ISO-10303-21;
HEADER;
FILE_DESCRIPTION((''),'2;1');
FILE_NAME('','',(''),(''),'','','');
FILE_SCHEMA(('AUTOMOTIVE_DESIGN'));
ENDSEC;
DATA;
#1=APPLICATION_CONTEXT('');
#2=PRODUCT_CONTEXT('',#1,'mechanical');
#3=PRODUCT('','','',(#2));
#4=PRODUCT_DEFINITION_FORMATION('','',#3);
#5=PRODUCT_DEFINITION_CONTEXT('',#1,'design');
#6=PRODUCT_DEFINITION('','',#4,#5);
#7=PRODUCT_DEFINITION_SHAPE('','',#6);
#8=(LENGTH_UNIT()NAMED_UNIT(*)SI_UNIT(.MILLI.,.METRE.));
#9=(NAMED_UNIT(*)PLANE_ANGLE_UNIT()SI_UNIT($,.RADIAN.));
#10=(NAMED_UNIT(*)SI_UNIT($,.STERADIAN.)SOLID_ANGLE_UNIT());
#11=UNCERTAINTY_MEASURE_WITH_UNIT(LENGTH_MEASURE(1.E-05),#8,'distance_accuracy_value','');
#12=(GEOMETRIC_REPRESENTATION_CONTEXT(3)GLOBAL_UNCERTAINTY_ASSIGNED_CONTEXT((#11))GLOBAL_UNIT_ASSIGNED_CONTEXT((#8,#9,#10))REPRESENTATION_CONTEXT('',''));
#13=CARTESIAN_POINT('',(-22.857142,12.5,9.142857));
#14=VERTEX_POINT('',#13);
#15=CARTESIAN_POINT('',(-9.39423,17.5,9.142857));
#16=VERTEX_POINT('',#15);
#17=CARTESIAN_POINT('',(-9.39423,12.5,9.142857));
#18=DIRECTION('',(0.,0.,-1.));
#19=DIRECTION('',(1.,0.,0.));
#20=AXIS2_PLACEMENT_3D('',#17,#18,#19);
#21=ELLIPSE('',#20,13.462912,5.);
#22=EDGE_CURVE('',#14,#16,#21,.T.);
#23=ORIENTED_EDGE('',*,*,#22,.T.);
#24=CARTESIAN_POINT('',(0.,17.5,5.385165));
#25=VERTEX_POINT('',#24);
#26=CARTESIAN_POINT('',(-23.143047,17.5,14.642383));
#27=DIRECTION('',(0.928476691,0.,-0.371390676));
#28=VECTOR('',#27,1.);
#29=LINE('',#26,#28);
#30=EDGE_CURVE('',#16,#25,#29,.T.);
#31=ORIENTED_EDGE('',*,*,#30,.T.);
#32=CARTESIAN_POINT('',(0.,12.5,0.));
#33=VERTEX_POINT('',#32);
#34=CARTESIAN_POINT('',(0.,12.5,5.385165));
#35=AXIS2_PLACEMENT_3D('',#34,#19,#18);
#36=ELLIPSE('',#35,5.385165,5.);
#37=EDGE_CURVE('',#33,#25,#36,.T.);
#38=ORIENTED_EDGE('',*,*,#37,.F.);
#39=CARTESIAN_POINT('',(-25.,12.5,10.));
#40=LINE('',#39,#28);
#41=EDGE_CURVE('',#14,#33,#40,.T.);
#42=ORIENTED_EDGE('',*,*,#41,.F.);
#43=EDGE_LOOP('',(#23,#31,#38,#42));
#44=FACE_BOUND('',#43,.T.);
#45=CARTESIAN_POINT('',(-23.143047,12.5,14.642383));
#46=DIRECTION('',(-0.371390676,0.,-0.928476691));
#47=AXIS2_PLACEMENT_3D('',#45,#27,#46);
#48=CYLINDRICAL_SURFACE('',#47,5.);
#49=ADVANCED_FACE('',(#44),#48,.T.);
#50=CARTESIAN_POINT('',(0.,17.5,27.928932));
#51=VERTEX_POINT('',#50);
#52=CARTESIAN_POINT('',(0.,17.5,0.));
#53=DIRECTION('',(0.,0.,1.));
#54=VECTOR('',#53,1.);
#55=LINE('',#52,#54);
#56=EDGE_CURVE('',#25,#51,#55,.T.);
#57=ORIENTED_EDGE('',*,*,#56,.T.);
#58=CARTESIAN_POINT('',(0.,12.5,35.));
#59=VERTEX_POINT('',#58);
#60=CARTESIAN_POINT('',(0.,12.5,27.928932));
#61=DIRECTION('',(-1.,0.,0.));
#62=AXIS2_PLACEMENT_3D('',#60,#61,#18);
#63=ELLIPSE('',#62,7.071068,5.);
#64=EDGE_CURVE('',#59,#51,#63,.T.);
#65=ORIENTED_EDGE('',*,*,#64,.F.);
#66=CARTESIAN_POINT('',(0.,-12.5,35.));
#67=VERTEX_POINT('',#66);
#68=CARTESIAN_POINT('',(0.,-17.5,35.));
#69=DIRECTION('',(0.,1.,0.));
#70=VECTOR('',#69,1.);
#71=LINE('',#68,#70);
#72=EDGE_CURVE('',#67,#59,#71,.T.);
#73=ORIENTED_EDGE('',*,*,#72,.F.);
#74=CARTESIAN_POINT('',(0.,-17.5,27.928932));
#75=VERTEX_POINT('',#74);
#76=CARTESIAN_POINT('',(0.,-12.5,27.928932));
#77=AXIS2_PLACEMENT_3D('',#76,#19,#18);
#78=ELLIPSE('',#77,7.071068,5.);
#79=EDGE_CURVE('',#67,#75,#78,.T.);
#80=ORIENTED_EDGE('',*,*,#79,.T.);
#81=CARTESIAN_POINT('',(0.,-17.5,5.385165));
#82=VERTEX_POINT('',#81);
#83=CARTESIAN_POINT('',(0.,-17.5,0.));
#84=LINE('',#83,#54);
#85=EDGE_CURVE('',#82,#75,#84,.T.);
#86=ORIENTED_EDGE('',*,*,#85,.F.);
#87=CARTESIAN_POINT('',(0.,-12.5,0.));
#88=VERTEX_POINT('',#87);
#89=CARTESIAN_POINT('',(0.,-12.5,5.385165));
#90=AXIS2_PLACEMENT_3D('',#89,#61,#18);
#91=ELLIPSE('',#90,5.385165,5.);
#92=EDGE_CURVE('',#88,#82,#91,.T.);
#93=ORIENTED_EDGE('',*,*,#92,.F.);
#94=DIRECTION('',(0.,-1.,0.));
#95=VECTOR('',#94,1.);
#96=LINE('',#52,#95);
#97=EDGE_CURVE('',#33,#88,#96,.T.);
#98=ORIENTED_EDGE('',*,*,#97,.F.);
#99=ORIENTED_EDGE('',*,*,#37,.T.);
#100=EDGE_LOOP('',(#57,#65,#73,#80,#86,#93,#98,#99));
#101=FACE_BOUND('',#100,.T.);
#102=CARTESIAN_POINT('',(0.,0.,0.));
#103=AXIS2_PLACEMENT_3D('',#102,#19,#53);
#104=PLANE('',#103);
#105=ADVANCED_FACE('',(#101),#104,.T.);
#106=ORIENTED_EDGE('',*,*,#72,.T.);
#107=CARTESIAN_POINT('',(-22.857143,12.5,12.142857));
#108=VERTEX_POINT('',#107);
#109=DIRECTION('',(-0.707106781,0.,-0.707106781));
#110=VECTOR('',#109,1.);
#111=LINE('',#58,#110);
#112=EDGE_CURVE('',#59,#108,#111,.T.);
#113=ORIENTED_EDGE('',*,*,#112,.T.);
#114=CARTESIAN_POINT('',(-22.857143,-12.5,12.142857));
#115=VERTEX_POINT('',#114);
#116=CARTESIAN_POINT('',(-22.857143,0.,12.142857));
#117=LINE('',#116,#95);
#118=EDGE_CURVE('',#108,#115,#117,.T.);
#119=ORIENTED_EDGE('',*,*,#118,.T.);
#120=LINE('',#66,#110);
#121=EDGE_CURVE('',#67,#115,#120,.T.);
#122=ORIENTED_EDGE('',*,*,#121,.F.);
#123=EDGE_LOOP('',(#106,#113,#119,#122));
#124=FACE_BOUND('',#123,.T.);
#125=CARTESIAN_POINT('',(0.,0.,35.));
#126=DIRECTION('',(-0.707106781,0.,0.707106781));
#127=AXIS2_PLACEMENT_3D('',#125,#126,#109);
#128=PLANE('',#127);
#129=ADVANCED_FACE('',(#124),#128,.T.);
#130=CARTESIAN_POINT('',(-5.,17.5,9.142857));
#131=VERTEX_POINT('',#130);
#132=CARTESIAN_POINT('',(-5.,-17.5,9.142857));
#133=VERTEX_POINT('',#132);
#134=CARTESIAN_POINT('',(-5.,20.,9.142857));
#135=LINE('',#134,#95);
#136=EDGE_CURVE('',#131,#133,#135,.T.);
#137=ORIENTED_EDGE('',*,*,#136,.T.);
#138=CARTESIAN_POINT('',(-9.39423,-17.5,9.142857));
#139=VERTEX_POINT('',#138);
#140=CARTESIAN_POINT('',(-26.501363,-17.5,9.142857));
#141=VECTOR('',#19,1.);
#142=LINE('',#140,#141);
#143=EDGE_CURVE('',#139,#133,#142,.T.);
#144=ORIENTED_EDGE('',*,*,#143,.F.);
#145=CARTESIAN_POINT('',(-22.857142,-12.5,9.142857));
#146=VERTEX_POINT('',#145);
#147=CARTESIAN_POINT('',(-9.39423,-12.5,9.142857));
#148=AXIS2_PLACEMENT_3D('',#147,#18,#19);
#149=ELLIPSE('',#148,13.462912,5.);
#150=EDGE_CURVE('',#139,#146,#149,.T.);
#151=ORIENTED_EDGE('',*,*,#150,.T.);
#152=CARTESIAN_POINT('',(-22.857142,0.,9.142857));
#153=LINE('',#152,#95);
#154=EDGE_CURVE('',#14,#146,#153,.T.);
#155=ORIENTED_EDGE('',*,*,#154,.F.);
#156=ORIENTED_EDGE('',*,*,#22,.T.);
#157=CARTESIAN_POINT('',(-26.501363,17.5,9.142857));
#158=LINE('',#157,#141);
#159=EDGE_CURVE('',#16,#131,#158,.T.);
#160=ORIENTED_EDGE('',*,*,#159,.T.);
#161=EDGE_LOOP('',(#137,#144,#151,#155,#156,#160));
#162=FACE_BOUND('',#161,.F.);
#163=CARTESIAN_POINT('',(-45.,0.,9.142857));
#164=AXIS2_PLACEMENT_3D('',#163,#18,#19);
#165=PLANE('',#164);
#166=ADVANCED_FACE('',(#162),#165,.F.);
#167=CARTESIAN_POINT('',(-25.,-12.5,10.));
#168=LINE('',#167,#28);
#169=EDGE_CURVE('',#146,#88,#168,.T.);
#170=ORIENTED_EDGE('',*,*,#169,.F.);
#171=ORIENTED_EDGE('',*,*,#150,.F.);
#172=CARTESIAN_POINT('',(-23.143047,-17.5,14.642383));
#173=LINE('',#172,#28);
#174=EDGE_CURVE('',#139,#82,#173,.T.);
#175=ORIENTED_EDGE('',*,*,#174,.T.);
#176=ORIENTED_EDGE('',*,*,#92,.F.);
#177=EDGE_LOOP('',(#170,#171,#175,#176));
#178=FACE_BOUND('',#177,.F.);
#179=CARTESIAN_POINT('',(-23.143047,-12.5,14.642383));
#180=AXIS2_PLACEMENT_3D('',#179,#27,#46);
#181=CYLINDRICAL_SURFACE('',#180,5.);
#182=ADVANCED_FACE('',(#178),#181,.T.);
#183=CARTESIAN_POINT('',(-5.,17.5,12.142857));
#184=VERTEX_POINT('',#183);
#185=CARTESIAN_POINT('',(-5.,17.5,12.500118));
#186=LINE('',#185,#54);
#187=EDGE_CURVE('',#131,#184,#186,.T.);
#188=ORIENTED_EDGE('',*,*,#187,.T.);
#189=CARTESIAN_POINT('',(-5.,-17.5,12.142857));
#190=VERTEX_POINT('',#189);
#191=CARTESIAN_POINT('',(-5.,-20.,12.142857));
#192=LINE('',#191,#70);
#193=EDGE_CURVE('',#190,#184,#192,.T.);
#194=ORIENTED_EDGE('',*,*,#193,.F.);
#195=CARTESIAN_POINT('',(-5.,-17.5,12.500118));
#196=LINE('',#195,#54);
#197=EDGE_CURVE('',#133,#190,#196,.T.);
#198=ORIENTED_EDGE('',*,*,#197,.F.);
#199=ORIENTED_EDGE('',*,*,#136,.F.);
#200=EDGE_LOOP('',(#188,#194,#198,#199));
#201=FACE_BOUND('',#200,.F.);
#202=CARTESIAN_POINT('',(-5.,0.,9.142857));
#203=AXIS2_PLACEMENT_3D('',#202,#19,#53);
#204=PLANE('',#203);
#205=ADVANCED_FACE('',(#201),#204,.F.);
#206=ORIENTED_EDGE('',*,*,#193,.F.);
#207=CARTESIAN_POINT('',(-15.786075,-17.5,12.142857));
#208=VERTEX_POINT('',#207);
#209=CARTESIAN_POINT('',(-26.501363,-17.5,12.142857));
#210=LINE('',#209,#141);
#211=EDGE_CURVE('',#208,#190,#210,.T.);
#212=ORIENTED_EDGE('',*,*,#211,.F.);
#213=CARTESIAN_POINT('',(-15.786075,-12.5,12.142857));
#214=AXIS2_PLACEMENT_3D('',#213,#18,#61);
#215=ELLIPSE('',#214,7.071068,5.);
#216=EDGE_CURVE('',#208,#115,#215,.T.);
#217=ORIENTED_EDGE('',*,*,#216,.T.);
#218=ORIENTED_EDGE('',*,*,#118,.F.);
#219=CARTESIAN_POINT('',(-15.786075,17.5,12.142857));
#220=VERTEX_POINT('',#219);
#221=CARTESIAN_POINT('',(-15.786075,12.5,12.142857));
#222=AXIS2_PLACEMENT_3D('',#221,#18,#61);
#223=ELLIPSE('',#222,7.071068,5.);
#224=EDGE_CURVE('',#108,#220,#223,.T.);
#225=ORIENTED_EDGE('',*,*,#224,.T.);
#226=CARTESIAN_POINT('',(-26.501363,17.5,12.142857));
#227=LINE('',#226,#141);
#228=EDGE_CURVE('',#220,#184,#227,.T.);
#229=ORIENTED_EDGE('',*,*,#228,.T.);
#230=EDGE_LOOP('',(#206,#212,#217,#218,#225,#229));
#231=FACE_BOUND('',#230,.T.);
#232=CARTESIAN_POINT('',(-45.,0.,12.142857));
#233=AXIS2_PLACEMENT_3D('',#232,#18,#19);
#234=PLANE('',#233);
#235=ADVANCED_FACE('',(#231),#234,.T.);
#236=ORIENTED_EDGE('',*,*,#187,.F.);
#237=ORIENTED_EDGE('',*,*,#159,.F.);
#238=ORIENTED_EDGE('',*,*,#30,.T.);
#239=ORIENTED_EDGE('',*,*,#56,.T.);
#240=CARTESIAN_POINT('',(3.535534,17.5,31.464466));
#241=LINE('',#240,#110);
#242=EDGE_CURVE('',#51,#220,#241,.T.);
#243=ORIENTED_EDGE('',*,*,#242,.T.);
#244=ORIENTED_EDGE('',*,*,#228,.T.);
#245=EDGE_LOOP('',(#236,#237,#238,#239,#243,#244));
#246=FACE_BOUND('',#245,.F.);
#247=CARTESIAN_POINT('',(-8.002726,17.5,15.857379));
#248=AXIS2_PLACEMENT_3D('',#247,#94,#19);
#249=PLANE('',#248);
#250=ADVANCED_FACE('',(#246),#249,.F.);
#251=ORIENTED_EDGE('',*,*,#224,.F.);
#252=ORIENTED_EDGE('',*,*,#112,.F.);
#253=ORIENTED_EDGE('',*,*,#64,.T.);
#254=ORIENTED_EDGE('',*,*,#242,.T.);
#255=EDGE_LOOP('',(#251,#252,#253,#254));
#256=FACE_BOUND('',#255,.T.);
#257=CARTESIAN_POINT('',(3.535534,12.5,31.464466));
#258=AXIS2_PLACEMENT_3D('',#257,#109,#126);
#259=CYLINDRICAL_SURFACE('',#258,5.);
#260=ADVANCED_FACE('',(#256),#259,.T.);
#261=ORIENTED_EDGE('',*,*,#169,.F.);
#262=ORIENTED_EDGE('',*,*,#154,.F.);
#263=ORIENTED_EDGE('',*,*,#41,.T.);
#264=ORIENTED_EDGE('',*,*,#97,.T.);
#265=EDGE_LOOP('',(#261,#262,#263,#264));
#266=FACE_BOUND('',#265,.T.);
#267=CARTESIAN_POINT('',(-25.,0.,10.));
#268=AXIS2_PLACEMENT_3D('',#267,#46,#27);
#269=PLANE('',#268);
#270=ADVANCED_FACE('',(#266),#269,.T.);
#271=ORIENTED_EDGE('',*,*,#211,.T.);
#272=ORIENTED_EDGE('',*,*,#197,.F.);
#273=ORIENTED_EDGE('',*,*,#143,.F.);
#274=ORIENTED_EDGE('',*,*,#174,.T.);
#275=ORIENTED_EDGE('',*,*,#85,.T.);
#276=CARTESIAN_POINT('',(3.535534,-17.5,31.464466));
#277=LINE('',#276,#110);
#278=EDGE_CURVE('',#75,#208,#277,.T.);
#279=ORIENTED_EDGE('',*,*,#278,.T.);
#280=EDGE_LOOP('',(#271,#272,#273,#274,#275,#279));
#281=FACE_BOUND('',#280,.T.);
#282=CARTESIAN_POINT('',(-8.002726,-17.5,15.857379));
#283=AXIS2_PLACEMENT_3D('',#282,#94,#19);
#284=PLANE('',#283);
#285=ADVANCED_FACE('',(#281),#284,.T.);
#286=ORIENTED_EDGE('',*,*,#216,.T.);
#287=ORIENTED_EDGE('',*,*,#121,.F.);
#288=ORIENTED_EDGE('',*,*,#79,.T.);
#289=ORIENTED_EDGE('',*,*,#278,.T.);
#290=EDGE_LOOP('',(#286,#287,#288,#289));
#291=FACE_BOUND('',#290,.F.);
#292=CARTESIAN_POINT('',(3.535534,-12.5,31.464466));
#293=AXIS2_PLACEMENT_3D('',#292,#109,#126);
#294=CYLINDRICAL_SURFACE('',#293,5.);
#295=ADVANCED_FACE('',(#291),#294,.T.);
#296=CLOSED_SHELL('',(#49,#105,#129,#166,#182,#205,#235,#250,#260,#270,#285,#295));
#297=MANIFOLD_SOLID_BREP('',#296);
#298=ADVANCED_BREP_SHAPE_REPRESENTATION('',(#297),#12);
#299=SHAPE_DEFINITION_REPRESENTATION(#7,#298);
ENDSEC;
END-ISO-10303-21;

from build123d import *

# Parameters (mm, degrees)
F1_DEPTH = 17.5
F2_R     = 5
F3_W     = 40
F3_H     = 3
F4_DEPTH = 20


with BuildPart() as f1:
    # F0 (on Front) → F1 (new body, symmetric)
    with BuildSketch(Plane.XZ):
        Polygon((-25, 10), (0, 0), (0, 35), align=None)
    extrude(amount=F1_DEPTH, both=True)

    # F2
    f2_edges = [f1.edges().sort_by_distance(p)[0] for p in [
        (-12.5, -17.5, 22.5),
        (-12.5, -17.5, 5),
        (-12.5, 17.5, 22.5),
        (-12.5, 17.5, 5),
    ]]
    fillet(f2_edges, radius=F2_R)

    # F3 (on Front) → F4 (cut, symmetric)
    with BuildSketch(Plane.XZ):
        with Locations((-25, 10.642857)):
            Rectangle(F3_W, F3_H)
    extrude(amount=F4_DEPTH, both=True, mode=Mode.SUBTRACT)


solid = f1.part
